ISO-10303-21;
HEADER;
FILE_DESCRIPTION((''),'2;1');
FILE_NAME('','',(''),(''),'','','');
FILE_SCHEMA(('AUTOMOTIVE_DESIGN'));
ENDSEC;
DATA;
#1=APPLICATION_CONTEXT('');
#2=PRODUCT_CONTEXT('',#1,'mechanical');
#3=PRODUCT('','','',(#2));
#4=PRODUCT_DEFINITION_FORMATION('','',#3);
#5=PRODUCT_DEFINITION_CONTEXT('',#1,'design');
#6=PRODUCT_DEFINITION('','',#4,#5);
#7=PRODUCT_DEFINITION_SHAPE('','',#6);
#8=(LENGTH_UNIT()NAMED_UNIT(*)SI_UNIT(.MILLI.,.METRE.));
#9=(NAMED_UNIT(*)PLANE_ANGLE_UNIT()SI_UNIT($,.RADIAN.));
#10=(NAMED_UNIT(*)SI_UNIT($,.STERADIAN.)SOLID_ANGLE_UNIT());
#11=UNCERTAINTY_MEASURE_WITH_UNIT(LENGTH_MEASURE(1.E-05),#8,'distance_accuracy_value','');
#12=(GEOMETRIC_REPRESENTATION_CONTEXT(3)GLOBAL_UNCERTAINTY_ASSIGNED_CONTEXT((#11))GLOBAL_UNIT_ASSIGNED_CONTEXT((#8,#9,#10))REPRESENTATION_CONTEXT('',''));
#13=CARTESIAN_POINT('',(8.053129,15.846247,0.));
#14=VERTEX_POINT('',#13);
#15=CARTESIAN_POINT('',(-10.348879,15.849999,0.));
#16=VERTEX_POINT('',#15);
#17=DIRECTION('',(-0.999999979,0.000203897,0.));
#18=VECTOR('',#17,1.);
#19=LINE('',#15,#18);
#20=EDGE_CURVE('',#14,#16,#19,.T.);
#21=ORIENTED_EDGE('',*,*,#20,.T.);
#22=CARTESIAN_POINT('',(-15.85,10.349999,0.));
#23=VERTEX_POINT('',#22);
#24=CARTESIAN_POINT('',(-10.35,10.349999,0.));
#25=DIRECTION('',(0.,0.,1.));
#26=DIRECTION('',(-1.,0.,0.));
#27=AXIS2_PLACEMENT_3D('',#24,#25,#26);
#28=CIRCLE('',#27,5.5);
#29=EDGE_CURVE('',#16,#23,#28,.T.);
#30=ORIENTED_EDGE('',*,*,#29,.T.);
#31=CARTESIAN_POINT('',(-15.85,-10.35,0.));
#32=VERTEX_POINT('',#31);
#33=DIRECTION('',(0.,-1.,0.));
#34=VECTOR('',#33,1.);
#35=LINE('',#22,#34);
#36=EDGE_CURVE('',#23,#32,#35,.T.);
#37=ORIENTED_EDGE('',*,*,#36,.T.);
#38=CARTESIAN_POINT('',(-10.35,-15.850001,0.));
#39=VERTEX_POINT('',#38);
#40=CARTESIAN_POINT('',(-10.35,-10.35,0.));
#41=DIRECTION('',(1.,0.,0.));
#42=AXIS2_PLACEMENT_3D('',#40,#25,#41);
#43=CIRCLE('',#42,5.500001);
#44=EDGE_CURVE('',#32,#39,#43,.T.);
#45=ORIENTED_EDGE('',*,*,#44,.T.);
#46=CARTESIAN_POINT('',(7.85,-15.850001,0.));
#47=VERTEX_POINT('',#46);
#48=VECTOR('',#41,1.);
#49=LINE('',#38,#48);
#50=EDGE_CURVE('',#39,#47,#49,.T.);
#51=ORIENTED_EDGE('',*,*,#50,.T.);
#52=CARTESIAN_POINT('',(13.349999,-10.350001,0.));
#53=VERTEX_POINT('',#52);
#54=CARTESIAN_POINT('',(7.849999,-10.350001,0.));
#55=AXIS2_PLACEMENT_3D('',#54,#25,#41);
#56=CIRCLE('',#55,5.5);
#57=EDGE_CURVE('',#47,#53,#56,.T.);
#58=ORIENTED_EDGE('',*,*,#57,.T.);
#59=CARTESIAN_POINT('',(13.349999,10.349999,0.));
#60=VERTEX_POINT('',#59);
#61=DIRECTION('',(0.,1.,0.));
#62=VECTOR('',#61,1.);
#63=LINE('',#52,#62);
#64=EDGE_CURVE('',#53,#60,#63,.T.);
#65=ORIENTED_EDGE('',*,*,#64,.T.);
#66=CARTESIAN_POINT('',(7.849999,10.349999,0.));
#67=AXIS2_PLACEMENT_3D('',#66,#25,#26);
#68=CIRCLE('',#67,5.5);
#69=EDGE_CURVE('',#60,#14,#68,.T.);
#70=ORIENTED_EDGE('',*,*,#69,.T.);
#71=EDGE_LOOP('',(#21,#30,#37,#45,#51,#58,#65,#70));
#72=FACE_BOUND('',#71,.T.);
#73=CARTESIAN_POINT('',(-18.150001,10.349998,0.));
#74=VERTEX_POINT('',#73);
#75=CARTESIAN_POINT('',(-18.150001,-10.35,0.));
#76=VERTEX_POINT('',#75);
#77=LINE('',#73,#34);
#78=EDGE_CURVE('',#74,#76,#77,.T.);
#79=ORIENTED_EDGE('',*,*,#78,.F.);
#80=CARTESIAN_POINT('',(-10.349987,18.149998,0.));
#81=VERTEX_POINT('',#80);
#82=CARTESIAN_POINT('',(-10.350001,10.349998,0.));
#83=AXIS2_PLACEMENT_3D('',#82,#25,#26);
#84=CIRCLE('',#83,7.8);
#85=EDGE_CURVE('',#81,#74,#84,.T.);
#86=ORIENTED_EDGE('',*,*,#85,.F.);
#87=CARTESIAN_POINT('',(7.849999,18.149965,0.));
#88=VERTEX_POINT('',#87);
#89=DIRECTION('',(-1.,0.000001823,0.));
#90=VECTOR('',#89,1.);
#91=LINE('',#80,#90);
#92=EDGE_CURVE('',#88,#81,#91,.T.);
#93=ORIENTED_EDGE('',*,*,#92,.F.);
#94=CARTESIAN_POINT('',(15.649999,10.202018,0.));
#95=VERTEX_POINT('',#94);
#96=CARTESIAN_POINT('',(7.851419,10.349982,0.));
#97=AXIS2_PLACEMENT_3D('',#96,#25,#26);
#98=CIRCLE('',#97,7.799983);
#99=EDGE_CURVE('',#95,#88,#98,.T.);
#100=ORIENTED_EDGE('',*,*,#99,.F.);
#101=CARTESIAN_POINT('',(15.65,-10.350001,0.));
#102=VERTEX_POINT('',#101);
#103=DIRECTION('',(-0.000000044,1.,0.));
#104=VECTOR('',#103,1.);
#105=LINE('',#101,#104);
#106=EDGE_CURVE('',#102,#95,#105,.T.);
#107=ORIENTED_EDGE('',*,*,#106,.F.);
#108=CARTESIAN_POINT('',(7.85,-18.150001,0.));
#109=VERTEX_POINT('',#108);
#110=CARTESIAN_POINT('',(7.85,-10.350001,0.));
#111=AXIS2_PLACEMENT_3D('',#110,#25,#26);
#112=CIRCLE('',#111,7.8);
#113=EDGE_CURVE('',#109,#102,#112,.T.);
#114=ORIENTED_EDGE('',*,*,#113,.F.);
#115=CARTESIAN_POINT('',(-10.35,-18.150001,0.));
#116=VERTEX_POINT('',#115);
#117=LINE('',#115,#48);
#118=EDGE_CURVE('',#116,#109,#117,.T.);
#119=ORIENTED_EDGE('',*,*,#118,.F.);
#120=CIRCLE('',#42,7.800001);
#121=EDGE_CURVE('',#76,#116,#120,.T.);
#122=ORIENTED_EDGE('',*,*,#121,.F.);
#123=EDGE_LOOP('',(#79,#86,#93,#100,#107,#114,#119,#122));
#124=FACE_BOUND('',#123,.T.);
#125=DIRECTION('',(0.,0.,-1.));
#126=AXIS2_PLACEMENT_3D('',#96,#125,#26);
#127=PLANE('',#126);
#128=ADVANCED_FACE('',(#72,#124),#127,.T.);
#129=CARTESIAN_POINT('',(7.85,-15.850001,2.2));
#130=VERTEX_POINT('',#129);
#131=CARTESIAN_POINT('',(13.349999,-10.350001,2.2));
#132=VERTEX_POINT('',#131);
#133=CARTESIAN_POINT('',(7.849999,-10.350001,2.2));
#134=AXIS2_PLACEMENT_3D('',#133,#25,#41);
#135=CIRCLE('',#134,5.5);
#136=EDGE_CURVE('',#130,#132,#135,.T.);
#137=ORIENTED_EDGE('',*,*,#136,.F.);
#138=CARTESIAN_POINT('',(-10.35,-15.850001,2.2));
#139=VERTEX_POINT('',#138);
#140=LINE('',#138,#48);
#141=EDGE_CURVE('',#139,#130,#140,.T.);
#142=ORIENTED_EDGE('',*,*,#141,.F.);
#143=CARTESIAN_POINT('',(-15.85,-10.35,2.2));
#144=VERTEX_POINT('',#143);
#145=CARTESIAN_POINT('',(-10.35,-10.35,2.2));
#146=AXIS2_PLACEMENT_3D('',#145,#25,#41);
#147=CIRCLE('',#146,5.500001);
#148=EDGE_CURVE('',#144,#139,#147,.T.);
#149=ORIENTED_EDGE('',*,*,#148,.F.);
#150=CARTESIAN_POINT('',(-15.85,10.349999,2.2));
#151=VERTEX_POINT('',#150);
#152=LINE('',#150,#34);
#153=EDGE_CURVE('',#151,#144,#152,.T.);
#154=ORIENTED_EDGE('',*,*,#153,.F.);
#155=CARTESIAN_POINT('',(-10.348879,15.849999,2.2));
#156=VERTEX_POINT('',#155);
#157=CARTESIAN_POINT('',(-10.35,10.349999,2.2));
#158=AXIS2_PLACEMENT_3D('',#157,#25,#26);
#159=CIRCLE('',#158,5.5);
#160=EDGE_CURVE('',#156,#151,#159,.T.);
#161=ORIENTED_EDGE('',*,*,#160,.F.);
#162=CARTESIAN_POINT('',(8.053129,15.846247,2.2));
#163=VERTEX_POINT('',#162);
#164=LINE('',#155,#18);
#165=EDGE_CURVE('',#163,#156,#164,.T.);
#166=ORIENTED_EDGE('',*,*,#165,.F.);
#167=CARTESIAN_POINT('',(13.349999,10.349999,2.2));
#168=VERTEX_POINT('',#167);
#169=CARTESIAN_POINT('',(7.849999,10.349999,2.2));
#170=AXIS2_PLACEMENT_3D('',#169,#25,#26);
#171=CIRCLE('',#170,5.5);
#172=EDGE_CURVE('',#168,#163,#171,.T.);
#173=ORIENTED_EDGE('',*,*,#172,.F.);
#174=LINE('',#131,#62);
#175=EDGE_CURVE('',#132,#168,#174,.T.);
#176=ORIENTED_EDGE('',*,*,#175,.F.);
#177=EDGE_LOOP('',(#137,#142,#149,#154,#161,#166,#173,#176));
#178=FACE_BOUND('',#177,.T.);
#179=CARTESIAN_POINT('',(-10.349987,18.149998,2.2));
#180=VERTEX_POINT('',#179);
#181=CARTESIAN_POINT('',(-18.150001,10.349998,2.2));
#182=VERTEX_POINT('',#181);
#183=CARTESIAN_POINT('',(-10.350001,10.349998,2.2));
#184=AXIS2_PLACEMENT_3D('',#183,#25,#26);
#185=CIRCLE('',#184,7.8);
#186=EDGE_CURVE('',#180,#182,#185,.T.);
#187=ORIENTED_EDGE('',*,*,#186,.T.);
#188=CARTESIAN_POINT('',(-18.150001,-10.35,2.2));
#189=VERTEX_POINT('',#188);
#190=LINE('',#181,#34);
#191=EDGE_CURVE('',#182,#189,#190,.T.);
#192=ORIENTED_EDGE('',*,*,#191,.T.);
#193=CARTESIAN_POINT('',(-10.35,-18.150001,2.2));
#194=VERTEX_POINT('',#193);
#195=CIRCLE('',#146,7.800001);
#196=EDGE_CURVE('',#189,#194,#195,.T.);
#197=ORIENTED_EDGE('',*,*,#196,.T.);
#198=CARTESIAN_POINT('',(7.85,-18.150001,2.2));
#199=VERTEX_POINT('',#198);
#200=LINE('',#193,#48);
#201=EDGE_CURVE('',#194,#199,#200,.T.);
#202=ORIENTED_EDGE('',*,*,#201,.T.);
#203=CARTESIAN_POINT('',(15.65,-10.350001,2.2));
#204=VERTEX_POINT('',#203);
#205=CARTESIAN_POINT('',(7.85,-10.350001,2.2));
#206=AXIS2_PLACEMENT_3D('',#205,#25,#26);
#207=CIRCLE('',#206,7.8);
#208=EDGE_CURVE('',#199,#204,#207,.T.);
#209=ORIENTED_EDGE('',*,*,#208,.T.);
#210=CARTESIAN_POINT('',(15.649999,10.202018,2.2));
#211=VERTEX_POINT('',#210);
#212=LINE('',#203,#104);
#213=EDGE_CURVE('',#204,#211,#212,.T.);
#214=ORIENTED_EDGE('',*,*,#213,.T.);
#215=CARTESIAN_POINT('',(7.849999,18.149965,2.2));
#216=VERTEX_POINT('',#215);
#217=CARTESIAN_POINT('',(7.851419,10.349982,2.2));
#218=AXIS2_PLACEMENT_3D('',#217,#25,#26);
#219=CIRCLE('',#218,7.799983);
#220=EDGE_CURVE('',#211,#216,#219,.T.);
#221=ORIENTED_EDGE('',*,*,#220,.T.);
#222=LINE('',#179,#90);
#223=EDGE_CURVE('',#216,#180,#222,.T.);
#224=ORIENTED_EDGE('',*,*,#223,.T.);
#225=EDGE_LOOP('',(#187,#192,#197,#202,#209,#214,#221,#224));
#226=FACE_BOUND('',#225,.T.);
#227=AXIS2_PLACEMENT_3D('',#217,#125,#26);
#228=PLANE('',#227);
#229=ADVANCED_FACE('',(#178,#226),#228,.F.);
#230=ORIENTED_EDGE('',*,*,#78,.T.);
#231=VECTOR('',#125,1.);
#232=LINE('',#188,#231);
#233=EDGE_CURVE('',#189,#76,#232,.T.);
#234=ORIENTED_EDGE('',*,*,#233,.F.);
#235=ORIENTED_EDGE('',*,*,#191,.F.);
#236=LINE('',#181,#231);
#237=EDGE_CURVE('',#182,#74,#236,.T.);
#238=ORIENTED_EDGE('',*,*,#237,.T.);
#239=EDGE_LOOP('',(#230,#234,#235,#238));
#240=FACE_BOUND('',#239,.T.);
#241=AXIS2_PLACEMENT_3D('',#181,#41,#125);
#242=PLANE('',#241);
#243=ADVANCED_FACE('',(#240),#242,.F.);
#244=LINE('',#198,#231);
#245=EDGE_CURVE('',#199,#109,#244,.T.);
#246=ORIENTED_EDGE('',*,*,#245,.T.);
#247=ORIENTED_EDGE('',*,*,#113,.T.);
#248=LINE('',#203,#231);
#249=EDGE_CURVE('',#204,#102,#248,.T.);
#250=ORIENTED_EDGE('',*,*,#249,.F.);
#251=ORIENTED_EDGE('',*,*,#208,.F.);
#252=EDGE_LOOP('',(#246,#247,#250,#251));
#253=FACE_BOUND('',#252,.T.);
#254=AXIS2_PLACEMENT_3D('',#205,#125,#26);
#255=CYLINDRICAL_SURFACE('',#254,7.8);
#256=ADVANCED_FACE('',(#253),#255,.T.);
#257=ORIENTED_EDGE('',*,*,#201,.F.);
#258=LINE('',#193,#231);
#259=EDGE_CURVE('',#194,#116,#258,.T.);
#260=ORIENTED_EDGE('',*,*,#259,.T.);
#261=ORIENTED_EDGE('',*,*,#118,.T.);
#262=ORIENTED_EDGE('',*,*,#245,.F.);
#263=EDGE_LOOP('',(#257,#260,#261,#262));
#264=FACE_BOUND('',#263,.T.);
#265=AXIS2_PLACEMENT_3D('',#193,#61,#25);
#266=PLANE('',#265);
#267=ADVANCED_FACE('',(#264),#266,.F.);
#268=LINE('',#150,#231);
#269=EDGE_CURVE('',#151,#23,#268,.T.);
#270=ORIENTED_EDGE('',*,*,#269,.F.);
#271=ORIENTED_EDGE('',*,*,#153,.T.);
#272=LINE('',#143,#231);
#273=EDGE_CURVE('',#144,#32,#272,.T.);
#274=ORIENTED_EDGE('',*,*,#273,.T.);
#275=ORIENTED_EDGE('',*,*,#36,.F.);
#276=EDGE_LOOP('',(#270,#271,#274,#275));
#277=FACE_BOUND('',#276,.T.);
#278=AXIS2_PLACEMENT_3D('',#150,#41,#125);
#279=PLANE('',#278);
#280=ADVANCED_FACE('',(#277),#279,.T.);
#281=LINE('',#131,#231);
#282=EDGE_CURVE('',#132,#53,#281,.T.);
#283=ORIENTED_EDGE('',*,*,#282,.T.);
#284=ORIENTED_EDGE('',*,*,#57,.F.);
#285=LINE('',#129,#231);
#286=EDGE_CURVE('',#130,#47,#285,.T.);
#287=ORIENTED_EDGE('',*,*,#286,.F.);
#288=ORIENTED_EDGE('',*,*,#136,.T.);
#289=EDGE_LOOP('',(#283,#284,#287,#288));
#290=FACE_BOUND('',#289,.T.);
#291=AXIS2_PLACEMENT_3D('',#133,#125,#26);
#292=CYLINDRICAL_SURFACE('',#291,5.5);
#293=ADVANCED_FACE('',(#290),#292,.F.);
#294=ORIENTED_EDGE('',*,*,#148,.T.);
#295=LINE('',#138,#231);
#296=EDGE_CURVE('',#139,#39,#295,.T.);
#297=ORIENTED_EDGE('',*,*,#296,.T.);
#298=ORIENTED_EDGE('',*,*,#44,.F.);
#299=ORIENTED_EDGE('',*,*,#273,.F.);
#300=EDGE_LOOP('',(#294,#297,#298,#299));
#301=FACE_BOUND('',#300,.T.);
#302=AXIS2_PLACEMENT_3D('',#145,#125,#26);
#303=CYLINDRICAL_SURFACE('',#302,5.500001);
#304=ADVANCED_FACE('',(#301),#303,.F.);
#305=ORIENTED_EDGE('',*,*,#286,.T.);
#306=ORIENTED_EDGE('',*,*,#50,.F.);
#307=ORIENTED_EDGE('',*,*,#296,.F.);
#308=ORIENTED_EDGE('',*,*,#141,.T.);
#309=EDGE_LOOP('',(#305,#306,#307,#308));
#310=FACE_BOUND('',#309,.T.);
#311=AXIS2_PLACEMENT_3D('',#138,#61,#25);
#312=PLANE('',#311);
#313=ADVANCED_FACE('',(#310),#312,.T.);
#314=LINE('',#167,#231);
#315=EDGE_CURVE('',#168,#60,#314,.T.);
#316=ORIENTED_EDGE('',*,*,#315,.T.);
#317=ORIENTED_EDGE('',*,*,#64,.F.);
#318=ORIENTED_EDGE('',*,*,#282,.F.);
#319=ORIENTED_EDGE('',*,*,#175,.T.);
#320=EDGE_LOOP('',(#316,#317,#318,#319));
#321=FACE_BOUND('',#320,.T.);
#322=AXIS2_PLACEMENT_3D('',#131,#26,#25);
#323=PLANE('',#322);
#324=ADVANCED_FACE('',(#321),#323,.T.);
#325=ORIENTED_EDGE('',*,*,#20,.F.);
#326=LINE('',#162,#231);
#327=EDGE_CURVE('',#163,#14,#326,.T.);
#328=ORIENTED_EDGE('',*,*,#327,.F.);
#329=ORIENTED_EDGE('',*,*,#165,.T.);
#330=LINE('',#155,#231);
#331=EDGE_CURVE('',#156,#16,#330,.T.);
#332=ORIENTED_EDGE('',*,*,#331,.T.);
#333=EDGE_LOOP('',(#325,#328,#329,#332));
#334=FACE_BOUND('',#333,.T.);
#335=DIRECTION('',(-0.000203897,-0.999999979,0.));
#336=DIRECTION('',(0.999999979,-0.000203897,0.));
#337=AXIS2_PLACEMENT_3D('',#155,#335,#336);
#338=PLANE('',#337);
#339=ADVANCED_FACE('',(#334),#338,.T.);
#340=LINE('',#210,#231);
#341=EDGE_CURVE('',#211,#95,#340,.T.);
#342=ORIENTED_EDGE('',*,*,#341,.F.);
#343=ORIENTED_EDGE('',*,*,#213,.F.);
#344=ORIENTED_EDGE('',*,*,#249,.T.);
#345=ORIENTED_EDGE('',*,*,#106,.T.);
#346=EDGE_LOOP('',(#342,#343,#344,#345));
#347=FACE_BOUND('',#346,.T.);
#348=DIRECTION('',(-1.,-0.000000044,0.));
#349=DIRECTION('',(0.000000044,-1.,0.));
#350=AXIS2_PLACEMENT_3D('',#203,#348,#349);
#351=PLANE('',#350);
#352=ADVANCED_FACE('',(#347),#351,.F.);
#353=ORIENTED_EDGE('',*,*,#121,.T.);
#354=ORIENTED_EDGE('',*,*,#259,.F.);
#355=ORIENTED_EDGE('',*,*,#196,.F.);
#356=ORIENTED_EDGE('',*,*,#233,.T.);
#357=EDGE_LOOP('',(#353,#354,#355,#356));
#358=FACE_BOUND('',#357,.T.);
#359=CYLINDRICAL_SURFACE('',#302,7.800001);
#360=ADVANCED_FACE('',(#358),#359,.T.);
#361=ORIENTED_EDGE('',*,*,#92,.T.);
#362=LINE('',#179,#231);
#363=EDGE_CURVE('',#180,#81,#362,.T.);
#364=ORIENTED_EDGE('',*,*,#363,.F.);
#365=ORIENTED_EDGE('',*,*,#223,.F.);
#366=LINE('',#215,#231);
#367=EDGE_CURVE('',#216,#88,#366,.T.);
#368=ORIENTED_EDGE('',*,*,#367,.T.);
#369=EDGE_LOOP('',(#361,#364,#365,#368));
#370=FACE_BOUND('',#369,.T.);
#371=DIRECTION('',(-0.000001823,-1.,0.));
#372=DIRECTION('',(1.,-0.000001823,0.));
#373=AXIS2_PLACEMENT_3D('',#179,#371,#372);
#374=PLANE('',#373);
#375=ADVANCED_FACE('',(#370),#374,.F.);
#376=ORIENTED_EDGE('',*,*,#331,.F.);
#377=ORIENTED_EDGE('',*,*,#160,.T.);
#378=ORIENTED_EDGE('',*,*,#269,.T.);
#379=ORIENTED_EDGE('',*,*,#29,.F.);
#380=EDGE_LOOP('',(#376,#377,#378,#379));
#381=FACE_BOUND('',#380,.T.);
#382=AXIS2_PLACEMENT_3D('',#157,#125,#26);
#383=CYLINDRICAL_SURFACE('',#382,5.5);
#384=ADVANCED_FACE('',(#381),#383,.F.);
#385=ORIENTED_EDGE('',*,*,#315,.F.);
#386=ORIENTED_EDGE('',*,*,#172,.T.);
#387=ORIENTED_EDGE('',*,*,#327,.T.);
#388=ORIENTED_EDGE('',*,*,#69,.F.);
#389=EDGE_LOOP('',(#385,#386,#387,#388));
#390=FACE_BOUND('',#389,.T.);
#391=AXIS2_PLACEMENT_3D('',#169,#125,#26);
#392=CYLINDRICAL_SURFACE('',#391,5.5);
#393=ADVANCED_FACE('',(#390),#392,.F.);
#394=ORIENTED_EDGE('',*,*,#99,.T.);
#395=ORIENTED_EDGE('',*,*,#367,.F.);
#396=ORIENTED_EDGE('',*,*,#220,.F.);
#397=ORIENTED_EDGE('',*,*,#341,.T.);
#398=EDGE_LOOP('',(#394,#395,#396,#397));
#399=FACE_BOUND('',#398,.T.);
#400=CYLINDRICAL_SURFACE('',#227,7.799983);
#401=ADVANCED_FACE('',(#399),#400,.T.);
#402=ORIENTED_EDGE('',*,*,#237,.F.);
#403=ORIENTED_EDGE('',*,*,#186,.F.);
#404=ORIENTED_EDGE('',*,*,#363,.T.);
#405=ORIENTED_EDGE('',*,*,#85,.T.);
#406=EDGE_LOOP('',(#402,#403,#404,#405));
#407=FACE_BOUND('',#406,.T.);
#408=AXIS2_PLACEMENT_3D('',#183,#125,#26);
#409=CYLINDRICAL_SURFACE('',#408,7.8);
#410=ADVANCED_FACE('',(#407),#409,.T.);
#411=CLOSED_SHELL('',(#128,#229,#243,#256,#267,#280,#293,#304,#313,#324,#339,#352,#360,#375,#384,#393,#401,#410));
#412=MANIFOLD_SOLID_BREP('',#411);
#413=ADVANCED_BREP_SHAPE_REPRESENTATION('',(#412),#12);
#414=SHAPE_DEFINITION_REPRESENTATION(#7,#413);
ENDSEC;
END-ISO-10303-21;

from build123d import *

# Parameters (mm, degrees)
BOSS_EXTRUDE1_DEPTH = 2.2


with BuildPart() as part:
    # Sketch1 → Boss-Extrude1 (new body)
    with BuildSketch(Plane.XY):
        with BuildLine():
            Line((-18.150001357, 10.34999793), (-18.150001357, -10.350000028))
            ThreePointArc((-18.150001357, -10.350000028), (-15.865433985, -15.865433561), (-10.350000452, -18.150000933))
            Line((-10.350000452, -18.150000933), (7.849999548, -18.150000933))
            ThreePointArc((7.849999548, -18.150000933), (13.365432561, -15.865433706), (15.649999548, -10.350000592))
            Line((15.649999548, -10.350000592), (15.649998649, 10.202018436))
            ThreePointArc((15.649998649, 10.202018436), (13.418409956, 15.813346519), (7.849998643, 18.149965101))
            Line((7.849998643, 18.149965101), (-10.349987141, 18.149998271))
            ThreePointArc((-10.349987141, 18.149998271), (-15.865429345, 15.86543607), (-18.150001357, 10.34999793))
        make_face()
        with BuildLine():
            Line((-15.850000452, 10.349999067), (-15.850000452, -10.350000028))
            ThreePointArc((-15.850000452, -10.350000028), (-14.239087554, -14.239087795), (-10.349999788, -15.850000693))
            Line((-10.349999788, -15.850000693), (7.849999548, -15.850000693))
            ThreePointArc((7.849999548, -15.850000693), (11.739086259, -14.239087669), (13.349998643, -10.350000693))
            Line((13.349998643, -10.350000693), (13.349998643, 10.349999307))
            ThreePointArc((13.349998643, 10.349999307), (11.810252303, 14.16659361), (8.05312906, 15.846247087))
            Line((8.05312906, 15.846247087), (-10.348878781, 15.849999193))
            ThreePointArc((-10.348878781, 15.849999193), (-14.238691173, 14.239482999), (-15.850000452, 10.349999067))
        make_face(mode=Mode.SUBTRACT)
    extrude(amount=BOSS_EXTRUDE1_DEPTH)


solid = part.part
